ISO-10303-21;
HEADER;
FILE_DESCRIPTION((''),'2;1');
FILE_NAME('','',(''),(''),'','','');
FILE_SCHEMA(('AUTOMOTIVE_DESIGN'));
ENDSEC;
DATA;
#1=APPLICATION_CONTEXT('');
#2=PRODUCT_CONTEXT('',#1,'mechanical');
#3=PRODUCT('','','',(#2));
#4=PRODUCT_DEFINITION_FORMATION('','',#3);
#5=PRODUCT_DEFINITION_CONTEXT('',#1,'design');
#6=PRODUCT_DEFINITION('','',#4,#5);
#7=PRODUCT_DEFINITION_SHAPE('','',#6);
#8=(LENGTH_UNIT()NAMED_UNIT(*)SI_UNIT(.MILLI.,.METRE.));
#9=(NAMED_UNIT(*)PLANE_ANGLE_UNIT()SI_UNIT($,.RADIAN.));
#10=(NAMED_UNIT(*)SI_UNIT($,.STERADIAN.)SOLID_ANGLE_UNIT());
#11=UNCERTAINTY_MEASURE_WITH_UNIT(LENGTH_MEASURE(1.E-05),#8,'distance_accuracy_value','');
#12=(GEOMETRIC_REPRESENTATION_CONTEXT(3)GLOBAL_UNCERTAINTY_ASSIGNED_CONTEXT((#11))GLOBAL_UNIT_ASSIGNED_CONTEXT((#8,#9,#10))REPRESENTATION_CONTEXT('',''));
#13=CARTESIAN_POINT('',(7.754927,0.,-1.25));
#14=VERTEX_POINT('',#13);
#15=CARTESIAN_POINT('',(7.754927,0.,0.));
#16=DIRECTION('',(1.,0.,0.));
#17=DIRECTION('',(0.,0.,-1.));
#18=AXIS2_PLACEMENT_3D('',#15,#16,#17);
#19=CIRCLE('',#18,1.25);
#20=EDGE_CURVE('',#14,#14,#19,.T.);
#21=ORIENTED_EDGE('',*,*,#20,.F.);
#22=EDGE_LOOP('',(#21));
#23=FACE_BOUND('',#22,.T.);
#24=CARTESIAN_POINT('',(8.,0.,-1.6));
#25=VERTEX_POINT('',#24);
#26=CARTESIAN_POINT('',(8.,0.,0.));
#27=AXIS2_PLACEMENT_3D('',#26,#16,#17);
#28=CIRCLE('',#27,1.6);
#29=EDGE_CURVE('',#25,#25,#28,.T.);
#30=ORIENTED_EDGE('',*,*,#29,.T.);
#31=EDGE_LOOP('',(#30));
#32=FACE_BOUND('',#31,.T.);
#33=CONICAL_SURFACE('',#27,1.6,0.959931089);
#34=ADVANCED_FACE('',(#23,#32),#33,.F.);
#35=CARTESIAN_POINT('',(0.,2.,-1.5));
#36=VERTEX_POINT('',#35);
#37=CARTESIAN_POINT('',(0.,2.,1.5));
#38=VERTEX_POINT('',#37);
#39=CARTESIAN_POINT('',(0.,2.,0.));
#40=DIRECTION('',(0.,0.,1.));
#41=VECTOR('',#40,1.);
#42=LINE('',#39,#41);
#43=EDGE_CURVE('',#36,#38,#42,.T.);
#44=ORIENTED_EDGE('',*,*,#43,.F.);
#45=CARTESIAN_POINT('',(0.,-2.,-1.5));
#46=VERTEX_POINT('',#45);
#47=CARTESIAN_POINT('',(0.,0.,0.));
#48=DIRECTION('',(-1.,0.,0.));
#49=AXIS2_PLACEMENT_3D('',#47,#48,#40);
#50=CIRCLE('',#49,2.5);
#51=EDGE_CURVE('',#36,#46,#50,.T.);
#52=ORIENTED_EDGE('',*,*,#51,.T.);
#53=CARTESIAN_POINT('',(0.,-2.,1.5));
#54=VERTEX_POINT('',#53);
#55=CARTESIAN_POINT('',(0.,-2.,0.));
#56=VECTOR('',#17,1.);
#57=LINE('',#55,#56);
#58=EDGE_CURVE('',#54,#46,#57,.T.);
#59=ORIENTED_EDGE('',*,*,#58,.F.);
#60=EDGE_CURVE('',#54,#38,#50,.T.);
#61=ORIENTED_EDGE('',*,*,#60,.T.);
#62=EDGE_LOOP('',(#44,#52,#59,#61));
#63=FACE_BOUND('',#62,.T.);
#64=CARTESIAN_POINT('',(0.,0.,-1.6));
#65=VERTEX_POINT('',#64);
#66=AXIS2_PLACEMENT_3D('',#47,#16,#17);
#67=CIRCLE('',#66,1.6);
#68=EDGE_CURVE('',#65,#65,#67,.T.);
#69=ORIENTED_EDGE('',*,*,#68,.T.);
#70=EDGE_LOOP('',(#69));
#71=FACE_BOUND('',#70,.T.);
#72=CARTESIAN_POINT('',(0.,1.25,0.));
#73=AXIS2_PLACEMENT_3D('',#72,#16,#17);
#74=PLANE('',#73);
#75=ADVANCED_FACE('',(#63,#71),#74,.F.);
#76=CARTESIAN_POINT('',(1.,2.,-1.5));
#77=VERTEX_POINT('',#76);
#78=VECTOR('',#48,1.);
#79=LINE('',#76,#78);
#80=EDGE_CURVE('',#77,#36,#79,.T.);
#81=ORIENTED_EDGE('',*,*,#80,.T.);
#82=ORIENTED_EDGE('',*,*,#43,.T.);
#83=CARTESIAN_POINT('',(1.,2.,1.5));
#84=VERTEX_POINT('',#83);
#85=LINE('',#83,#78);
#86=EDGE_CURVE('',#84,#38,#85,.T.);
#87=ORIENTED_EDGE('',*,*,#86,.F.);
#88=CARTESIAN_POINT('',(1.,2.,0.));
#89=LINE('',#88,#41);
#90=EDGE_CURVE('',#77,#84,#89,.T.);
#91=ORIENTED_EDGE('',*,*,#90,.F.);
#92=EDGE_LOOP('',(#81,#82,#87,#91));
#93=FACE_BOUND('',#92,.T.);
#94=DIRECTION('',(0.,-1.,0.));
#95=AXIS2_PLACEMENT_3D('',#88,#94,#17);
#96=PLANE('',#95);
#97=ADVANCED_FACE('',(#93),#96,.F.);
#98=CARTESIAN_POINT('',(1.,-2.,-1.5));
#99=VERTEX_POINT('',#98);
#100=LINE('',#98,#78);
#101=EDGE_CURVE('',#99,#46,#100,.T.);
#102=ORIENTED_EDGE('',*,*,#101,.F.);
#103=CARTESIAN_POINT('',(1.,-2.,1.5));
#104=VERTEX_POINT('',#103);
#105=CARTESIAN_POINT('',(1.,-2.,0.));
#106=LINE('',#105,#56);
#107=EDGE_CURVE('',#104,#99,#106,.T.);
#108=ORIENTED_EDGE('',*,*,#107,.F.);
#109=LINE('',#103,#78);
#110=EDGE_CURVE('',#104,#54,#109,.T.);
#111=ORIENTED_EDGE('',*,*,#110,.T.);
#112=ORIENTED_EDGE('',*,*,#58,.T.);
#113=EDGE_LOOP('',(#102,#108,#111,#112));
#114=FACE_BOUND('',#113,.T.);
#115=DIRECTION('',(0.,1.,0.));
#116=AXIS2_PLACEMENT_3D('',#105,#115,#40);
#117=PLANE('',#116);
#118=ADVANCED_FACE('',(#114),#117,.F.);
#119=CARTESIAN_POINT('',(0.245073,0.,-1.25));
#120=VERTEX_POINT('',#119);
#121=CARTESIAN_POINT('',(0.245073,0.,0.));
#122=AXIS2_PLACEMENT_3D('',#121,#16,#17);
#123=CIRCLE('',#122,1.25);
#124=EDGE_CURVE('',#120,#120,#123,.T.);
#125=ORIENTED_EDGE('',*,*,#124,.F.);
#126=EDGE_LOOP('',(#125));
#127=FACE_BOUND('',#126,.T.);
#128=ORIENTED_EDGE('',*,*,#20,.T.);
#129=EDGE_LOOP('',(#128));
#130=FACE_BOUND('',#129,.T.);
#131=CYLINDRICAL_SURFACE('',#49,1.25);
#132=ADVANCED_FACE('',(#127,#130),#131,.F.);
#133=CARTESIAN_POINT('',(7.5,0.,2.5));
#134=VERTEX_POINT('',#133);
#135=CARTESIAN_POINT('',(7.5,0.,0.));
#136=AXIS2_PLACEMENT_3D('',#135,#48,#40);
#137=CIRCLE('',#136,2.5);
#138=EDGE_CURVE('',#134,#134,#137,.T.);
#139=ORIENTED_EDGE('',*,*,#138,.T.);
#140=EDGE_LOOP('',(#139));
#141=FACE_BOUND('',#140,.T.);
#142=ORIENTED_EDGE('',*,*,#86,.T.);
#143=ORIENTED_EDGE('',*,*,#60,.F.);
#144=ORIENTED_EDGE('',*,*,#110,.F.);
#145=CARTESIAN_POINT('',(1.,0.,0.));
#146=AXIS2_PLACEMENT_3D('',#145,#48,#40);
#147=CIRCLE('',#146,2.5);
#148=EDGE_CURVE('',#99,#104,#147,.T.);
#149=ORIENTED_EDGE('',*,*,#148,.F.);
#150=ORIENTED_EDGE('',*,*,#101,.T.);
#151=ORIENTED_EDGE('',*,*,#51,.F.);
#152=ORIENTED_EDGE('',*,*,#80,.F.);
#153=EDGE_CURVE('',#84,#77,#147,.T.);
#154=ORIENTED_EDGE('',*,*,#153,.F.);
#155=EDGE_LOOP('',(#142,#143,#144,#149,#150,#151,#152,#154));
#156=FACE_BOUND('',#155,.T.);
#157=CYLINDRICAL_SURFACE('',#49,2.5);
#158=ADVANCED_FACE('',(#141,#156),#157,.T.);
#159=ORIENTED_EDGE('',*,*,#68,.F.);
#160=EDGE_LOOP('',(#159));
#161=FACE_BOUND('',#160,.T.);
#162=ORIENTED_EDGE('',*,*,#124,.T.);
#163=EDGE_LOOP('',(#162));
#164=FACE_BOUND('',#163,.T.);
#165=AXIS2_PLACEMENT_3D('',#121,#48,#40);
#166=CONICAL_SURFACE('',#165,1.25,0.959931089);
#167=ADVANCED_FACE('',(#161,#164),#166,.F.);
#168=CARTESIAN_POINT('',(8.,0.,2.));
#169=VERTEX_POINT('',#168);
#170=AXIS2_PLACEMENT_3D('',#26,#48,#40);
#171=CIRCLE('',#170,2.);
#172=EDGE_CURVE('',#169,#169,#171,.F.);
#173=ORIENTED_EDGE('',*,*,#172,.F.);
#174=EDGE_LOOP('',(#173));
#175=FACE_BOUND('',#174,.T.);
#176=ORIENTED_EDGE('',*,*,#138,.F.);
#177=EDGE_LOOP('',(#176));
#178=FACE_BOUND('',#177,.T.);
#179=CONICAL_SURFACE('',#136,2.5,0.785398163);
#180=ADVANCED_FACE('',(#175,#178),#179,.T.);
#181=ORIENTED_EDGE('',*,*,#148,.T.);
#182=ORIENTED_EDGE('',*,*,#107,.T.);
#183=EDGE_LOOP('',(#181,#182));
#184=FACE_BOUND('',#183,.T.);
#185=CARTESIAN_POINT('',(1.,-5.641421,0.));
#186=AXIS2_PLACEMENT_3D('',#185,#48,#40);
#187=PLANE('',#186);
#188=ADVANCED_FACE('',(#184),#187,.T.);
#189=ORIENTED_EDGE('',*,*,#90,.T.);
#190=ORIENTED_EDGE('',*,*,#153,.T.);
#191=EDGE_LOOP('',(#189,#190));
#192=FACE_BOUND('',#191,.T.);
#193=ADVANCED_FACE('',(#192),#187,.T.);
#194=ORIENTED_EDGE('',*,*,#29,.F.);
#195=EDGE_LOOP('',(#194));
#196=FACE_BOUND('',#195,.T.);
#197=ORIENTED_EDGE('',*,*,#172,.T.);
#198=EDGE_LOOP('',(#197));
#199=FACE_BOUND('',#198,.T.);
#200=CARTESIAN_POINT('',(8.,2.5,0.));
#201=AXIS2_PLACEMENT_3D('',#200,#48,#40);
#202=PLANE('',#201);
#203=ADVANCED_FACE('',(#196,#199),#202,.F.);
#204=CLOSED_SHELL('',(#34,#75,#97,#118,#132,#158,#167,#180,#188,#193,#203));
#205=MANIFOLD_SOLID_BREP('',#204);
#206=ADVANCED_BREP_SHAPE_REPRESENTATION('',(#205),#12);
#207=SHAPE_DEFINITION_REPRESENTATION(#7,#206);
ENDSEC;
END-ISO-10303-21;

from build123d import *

# Parameters (mm, degrees)
SKETCH_1_W          = 8
SKETCH_1_H          = 1.25
CHAMFER_1_SIZE      = 0.5
CUT_EXTRUDE_1_DEPTH = 1


with BuildPart() as part:
    # Эскиз1 → Повернуть1 (revolve)
    with BuildSketch(Plane.XY):
        with Locations((4, 1.875)):
            Rectangle(SKETCH_1_W, SKETCH_1_H)
    revolve(axis=Axis((0, 0, 0), (1, 0, 0)))

    # Эскиз2 → Отверстие обработанное метчиком M31 (revolve, cut)
    with BuildSketch(Plane(origin=(8, 0, 0), x_dir=(0, 0, -1), z_dir=(0, 1, 0))):
        Polygon((0, 0), (0, 8), (1.6, 8), (1.25, 7.754927362), (1.25, 0.245072638), (1.6, 0), align=None)
    revolve(axis=Axis((14.35, 0, 0), (-1, 0, 0)), mode=Mode.SUBTRACT)

    # Фаска1
    chamfer_1_edges = [part.edges().sort_by_distance(p)[0] for p in [
        (8, -2.5, 0),
    ]]
    chamfer(chamfer_1_edges, length=CHAMFER_1_SIZE)

    # Эскиз4 → Вырез-Вытянуть1 (cut)
    with BuildSketch(Plane.ZY):
        with BuildLine():
            ThreePointArc((1.5, 2), (0, 2.5), (-1.5, 2))
            Line((-1.5, 2), (1.5, 2))
        make_face()
        with BuildLine():
            Line((1.5, -2), (-1.5, -2))
            ThreePointArc((-1.5, -2), (0, -2.5), (1.5, -2))
        make_face()
    extrude(amount=-CUT_EXTRUDE_1_DEPTH, mode=Mode.SUBTRACT)


solid = part.part
